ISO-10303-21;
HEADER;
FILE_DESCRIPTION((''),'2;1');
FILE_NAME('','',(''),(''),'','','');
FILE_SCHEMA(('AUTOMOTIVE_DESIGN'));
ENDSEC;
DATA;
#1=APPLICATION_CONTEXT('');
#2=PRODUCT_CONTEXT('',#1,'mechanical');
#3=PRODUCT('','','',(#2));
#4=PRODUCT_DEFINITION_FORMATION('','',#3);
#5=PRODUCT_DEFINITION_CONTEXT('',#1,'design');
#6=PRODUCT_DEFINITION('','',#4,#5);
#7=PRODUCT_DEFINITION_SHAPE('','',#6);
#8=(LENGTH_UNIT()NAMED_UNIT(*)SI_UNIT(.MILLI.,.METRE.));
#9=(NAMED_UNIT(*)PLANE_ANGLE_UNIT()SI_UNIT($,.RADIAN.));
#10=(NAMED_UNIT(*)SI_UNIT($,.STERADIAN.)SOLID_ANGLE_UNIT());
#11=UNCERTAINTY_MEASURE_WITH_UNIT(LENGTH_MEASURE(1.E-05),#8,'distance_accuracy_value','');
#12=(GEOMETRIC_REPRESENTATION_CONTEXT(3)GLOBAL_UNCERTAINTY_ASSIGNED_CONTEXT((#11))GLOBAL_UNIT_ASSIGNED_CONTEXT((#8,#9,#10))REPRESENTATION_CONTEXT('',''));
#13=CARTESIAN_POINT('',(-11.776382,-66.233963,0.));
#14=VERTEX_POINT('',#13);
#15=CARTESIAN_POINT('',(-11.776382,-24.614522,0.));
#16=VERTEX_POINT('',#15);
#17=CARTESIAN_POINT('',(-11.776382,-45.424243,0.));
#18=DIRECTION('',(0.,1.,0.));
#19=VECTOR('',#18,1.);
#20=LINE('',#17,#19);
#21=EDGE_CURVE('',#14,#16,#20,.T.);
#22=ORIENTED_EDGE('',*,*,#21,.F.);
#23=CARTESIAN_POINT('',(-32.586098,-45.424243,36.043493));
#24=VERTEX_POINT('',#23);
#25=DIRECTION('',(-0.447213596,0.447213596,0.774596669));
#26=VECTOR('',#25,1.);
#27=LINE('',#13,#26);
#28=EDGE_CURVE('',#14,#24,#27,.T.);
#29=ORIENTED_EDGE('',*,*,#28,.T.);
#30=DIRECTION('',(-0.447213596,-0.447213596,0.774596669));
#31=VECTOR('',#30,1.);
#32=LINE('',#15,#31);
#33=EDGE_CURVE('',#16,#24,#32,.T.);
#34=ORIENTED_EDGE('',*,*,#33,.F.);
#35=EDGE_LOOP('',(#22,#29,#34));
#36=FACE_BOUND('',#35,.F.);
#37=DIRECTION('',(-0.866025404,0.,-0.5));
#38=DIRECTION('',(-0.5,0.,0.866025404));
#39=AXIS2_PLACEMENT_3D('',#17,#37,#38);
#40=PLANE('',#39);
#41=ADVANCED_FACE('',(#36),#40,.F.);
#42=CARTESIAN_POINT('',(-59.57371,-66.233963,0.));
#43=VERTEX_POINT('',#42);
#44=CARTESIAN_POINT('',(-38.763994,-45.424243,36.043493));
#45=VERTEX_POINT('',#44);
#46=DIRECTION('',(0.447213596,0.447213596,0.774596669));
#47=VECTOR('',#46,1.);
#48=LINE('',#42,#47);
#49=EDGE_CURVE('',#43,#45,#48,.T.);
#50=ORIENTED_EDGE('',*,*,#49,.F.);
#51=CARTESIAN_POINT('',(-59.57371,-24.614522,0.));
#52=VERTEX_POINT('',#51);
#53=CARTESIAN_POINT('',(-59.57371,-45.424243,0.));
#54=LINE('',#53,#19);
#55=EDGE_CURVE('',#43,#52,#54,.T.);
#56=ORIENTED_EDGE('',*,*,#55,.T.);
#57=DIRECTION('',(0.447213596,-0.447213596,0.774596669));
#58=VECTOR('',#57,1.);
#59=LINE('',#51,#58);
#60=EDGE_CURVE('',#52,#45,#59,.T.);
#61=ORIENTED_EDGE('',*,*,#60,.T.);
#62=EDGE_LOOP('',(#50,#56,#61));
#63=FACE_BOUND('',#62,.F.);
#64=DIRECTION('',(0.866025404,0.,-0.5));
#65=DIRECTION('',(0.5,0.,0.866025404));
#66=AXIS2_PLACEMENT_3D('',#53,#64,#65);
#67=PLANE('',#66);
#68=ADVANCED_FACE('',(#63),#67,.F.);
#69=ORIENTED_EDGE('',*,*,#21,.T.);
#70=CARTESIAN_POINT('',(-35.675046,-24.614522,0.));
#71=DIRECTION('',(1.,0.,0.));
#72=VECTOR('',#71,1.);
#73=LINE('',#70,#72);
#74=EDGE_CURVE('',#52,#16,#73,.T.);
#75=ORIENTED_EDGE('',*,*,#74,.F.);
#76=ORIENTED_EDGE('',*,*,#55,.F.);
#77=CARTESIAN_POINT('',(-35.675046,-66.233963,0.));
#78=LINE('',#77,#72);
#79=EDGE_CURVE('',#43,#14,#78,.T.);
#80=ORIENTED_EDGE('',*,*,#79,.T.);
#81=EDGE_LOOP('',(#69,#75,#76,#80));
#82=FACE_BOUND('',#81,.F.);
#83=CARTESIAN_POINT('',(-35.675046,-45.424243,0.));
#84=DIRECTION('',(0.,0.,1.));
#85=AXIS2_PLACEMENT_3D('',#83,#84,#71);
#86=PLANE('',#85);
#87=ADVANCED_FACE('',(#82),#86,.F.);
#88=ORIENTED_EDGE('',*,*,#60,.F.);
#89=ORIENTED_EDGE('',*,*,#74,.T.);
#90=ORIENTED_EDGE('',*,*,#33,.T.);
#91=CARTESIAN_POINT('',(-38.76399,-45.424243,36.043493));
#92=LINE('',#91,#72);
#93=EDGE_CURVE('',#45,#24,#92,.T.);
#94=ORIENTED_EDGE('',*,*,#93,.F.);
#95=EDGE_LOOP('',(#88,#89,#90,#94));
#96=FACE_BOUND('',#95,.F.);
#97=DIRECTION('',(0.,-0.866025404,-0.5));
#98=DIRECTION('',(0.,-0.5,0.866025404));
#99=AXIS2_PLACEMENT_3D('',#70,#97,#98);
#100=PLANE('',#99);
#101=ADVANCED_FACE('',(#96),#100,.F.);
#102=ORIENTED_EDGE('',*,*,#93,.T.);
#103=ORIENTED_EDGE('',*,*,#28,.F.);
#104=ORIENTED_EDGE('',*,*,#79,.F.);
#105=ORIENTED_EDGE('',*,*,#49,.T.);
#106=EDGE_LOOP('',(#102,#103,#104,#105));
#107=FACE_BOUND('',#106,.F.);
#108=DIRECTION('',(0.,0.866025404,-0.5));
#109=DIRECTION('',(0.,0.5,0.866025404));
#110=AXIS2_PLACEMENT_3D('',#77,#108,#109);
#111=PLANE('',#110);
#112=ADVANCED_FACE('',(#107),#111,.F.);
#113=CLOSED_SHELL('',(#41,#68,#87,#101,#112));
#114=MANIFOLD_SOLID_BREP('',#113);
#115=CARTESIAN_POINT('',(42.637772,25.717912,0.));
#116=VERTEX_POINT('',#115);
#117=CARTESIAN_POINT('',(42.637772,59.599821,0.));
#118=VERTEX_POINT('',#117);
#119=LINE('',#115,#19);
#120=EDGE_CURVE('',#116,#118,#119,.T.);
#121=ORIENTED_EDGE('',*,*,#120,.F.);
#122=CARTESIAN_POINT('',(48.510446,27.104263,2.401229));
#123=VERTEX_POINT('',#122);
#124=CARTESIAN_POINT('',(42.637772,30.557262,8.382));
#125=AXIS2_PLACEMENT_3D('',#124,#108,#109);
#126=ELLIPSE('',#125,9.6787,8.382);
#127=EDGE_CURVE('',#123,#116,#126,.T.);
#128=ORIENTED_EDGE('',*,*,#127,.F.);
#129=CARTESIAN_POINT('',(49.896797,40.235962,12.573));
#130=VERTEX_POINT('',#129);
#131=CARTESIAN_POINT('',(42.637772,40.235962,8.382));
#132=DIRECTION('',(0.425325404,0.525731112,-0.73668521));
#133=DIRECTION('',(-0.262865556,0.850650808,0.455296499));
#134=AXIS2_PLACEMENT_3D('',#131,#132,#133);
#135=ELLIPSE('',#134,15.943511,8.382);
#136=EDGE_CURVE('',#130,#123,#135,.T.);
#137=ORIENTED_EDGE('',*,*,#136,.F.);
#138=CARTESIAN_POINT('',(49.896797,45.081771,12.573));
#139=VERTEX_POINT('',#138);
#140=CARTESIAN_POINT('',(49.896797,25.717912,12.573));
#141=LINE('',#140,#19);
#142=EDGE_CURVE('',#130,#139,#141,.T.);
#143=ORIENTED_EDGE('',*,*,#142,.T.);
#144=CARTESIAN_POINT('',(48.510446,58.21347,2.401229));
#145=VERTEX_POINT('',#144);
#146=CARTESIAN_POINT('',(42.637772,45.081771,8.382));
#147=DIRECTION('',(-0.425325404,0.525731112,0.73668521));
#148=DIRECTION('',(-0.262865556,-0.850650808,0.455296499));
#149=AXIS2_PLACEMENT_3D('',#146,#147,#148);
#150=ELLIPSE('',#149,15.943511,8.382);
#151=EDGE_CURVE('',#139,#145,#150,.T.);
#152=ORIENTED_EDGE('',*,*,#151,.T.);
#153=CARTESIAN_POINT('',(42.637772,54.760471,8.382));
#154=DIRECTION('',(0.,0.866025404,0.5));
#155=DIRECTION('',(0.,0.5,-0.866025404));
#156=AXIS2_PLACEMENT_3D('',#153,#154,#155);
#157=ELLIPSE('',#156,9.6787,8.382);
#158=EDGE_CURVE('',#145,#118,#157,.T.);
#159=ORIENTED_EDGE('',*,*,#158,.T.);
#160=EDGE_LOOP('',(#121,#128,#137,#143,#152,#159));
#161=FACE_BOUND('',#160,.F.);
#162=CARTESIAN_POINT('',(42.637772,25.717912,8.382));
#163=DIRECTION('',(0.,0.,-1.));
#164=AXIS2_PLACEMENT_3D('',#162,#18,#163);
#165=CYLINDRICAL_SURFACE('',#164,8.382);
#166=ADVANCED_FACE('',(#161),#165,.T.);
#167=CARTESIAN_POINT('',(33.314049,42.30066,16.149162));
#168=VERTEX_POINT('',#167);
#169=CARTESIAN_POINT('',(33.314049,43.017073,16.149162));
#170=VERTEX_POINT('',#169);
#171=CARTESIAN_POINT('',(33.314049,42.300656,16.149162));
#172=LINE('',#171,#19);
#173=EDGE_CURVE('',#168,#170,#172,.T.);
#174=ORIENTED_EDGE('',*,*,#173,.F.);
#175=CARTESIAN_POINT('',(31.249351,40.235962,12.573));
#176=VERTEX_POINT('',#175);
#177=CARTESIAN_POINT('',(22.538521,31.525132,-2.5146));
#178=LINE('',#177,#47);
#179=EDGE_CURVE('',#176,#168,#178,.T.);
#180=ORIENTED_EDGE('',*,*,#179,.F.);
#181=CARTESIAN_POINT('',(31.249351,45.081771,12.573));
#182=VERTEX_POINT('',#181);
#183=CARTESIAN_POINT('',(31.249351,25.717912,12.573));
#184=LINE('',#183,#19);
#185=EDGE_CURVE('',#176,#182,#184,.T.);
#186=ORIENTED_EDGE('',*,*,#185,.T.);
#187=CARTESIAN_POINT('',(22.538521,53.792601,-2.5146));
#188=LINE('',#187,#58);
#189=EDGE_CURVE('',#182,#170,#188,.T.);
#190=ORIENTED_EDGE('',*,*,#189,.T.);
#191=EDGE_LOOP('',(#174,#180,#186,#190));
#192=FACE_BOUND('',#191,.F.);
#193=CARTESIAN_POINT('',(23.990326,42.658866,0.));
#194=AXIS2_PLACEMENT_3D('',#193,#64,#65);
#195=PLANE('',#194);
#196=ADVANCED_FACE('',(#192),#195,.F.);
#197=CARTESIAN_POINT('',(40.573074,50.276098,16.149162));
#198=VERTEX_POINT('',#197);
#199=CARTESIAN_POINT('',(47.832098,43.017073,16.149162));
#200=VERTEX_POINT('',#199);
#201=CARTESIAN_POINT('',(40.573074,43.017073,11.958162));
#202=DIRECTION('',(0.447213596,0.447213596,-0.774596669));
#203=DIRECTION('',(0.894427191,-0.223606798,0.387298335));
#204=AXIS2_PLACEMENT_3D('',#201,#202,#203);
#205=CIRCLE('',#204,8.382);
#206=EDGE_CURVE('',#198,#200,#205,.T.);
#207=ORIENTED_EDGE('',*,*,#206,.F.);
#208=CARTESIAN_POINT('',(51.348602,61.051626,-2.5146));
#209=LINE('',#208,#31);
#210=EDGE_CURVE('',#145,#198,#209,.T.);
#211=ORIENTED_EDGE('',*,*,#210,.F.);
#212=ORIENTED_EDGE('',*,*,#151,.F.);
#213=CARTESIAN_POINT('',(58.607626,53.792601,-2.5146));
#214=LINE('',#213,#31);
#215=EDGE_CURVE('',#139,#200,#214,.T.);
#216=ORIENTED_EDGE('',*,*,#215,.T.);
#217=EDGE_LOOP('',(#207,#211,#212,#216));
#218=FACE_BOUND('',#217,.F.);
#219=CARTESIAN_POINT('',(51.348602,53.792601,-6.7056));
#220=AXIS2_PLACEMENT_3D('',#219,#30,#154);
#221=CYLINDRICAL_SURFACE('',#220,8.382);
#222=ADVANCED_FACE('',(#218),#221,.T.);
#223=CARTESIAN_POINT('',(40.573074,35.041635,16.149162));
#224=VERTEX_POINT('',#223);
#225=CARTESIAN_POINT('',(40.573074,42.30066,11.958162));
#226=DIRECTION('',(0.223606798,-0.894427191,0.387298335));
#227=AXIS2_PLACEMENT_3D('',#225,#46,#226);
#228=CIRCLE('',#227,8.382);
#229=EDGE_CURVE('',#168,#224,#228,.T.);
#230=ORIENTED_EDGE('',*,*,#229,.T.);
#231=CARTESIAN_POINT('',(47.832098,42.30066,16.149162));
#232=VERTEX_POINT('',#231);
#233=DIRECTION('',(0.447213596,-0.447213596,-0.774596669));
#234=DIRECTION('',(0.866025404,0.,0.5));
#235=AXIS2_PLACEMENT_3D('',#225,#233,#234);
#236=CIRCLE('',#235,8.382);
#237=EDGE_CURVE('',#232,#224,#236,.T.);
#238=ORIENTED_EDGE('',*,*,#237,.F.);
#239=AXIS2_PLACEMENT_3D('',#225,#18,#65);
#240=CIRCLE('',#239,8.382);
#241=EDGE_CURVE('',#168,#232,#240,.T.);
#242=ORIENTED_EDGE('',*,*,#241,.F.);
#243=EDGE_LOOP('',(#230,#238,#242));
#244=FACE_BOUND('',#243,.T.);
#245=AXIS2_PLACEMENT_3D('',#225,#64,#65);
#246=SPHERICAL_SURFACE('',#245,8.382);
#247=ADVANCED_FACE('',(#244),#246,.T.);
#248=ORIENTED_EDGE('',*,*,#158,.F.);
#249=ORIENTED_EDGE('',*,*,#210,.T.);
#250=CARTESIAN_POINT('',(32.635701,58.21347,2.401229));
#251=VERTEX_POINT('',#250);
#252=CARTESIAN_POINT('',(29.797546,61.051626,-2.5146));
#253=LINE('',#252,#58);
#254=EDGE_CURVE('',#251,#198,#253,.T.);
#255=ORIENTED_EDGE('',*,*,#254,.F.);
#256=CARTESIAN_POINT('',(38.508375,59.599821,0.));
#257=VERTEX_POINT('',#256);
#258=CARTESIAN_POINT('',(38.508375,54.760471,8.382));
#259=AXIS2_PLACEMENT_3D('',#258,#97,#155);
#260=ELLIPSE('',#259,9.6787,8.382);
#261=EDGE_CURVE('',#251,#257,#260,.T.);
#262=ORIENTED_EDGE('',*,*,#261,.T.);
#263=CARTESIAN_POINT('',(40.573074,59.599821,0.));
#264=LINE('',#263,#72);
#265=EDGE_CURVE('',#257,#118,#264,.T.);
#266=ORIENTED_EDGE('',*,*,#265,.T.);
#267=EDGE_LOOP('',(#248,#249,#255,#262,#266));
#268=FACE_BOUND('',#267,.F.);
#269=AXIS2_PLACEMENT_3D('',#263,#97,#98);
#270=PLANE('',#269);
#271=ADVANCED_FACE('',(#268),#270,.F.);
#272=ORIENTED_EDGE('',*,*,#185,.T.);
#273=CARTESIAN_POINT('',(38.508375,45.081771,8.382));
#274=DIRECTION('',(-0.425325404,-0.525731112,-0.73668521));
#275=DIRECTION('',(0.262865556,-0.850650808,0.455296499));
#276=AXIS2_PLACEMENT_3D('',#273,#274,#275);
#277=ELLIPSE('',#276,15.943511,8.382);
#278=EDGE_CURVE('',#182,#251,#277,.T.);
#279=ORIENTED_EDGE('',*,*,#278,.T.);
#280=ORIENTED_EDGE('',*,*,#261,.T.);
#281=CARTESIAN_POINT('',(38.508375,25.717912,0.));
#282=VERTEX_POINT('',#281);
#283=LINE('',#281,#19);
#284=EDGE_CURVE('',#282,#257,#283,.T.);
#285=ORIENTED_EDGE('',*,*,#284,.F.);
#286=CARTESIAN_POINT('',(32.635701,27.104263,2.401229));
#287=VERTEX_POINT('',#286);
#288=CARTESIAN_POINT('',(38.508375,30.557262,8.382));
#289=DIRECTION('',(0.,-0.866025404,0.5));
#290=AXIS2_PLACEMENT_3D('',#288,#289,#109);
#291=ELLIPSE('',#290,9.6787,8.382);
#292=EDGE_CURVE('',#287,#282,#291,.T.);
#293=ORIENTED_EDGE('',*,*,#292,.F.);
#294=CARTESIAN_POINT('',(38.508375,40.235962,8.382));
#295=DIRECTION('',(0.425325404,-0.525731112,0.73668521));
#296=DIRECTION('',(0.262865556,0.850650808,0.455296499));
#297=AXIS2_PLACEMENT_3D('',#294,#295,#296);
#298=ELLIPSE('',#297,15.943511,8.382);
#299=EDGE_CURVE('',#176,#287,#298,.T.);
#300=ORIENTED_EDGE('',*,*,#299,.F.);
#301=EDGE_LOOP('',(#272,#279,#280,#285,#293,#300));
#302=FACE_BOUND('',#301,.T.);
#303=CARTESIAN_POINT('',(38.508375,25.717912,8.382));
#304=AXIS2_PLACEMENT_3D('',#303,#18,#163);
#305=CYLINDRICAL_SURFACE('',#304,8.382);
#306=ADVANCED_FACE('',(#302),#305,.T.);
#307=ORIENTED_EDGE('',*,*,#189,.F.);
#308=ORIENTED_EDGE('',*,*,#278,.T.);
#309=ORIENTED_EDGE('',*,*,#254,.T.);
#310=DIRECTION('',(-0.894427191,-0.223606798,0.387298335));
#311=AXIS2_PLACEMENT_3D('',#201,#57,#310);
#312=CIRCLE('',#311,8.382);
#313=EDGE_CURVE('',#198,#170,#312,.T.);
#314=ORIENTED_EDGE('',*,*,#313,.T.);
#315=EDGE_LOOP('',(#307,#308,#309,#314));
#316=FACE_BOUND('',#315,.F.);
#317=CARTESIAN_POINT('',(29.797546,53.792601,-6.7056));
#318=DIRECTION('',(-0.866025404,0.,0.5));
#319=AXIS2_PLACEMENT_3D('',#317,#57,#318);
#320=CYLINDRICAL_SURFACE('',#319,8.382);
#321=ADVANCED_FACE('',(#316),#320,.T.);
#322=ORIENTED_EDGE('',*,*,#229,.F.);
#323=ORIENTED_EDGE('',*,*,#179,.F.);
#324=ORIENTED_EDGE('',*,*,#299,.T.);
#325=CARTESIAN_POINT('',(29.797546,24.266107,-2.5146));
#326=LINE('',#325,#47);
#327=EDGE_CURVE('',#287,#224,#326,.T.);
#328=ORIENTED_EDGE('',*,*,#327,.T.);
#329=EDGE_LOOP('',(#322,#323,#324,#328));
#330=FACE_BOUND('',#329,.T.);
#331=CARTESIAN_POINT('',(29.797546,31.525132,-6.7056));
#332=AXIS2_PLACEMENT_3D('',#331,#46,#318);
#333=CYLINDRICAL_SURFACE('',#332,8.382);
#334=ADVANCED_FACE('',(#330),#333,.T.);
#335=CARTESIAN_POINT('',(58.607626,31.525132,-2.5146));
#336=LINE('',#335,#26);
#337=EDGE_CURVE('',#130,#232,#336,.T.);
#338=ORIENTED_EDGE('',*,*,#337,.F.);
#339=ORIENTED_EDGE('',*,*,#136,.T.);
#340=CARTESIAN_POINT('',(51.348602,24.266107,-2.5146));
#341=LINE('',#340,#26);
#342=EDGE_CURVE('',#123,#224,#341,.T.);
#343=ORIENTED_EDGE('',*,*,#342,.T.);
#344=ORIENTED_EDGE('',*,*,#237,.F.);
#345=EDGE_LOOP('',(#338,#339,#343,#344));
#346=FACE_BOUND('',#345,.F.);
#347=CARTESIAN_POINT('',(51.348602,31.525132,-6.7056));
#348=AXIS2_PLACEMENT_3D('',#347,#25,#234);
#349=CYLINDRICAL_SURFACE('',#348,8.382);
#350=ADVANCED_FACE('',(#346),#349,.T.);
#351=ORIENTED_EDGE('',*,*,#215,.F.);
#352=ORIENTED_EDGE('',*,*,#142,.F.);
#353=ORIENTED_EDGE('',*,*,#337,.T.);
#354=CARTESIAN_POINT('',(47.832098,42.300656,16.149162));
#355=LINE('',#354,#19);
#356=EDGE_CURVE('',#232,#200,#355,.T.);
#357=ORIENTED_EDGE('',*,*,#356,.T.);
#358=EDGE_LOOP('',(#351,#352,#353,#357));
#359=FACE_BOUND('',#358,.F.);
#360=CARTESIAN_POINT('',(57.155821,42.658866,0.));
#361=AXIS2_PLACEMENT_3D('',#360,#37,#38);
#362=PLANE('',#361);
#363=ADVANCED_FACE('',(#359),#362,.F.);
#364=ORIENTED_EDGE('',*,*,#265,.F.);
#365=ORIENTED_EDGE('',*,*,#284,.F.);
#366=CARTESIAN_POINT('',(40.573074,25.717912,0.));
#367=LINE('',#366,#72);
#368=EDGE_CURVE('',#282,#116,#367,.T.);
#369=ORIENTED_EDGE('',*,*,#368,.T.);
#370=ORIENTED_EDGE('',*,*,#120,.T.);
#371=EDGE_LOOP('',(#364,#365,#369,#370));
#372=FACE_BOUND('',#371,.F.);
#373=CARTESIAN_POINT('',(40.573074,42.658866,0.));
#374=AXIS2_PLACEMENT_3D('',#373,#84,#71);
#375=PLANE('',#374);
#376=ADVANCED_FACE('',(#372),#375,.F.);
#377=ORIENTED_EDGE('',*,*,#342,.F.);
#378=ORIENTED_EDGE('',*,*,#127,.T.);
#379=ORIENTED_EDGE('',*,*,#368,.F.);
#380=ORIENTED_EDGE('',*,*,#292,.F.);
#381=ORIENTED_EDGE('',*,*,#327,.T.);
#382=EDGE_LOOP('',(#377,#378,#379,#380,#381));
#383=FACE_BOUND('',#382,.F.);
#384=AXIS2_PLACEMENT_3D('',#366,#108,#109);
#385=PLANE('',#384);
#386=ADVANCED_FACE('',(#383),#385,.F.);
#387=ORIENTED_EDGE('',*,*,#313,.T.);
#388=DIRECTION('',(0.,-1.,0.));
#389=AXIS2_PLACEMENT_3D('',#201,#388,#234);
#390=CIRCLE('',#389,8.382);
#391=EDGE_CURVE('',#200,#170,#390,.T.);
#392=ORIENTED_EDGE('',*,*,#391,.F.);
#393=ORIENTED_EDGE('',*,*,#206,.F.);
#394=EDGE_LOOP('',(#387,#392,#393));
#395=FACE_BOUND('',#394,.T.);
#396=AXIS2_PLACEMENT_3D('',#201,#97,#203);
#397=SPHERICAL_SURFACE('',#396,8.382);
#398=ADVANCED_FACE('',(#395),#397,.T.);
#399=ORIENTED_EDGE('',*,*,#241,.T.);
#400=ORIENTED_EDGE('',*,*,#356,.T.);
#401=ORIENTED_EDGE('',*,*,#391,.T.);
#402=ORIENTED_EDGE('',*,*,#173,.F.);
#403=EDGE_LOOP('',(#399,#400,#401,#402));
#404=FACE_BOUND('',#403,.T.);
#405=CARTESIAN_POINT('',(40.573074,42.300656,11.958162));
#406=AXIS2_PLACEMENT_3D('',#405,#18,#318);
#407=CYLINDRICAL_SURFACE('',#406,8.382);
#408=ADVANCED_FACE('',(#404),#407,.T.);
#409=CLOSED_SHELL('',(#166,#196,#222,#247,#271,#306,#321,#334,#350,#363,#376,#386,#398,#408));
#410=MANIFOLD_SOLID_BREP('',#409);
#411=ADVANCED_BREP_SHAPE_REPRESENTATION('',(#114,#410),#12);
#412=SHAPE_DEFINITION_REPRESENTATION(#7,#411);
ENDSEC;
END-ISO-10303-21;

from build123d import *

# Parameters (mm, degrees)
F0_W     = 47.7973278612
F0_H     = 41.6194405407
F1_DEPTH = 67.564
F1_TAPER = 30
F0_W_2   = 33.1654958427
F0_H_2   = 33.8819082826
F2_R     = 8.382


with BuildPart() as f1:
    # F0 (on Top) → F1 (new body)
    with BuildSketch(Plane.XY):
        with Locations((-35.6750460342, -45.4242425039)):
            Rectangle(F0_W, F0_H)
    extrude(amount=F1_DEPTH, taper=F1_TAPER)


with BuildPart() as f1b:
    # F0 (on Top) → F1, piece 2 (new body)
    with BuildSketch(Plane.XY):
        with Locations((40.5730735511, 42.6588663831)):
            Rectangle(F0_W_2, F0_H_2)
    extrude(amount=F1_DEPTH, taper=F1_TAPER)

    # F2
    f2_edges = [f1b.edges().sort_by_distance(p)[0] for p in [
        (48.864446, 34.009287, 14.361083),
        (40.573074, 42.658866, 28.722162),
        (48.864447, 51.308446, 14.361082),
        (57.155821, 42.658866, 0),
        (32.2817, 34.009287, 14.361082),
        (32.2817, 51.308446, 14.361082),
        (23.990326, 42.658866, 0),
    ]]
    fillet(f2_edges, radius=F2_R)


solid = Compound([f1.part, f1b.part])
